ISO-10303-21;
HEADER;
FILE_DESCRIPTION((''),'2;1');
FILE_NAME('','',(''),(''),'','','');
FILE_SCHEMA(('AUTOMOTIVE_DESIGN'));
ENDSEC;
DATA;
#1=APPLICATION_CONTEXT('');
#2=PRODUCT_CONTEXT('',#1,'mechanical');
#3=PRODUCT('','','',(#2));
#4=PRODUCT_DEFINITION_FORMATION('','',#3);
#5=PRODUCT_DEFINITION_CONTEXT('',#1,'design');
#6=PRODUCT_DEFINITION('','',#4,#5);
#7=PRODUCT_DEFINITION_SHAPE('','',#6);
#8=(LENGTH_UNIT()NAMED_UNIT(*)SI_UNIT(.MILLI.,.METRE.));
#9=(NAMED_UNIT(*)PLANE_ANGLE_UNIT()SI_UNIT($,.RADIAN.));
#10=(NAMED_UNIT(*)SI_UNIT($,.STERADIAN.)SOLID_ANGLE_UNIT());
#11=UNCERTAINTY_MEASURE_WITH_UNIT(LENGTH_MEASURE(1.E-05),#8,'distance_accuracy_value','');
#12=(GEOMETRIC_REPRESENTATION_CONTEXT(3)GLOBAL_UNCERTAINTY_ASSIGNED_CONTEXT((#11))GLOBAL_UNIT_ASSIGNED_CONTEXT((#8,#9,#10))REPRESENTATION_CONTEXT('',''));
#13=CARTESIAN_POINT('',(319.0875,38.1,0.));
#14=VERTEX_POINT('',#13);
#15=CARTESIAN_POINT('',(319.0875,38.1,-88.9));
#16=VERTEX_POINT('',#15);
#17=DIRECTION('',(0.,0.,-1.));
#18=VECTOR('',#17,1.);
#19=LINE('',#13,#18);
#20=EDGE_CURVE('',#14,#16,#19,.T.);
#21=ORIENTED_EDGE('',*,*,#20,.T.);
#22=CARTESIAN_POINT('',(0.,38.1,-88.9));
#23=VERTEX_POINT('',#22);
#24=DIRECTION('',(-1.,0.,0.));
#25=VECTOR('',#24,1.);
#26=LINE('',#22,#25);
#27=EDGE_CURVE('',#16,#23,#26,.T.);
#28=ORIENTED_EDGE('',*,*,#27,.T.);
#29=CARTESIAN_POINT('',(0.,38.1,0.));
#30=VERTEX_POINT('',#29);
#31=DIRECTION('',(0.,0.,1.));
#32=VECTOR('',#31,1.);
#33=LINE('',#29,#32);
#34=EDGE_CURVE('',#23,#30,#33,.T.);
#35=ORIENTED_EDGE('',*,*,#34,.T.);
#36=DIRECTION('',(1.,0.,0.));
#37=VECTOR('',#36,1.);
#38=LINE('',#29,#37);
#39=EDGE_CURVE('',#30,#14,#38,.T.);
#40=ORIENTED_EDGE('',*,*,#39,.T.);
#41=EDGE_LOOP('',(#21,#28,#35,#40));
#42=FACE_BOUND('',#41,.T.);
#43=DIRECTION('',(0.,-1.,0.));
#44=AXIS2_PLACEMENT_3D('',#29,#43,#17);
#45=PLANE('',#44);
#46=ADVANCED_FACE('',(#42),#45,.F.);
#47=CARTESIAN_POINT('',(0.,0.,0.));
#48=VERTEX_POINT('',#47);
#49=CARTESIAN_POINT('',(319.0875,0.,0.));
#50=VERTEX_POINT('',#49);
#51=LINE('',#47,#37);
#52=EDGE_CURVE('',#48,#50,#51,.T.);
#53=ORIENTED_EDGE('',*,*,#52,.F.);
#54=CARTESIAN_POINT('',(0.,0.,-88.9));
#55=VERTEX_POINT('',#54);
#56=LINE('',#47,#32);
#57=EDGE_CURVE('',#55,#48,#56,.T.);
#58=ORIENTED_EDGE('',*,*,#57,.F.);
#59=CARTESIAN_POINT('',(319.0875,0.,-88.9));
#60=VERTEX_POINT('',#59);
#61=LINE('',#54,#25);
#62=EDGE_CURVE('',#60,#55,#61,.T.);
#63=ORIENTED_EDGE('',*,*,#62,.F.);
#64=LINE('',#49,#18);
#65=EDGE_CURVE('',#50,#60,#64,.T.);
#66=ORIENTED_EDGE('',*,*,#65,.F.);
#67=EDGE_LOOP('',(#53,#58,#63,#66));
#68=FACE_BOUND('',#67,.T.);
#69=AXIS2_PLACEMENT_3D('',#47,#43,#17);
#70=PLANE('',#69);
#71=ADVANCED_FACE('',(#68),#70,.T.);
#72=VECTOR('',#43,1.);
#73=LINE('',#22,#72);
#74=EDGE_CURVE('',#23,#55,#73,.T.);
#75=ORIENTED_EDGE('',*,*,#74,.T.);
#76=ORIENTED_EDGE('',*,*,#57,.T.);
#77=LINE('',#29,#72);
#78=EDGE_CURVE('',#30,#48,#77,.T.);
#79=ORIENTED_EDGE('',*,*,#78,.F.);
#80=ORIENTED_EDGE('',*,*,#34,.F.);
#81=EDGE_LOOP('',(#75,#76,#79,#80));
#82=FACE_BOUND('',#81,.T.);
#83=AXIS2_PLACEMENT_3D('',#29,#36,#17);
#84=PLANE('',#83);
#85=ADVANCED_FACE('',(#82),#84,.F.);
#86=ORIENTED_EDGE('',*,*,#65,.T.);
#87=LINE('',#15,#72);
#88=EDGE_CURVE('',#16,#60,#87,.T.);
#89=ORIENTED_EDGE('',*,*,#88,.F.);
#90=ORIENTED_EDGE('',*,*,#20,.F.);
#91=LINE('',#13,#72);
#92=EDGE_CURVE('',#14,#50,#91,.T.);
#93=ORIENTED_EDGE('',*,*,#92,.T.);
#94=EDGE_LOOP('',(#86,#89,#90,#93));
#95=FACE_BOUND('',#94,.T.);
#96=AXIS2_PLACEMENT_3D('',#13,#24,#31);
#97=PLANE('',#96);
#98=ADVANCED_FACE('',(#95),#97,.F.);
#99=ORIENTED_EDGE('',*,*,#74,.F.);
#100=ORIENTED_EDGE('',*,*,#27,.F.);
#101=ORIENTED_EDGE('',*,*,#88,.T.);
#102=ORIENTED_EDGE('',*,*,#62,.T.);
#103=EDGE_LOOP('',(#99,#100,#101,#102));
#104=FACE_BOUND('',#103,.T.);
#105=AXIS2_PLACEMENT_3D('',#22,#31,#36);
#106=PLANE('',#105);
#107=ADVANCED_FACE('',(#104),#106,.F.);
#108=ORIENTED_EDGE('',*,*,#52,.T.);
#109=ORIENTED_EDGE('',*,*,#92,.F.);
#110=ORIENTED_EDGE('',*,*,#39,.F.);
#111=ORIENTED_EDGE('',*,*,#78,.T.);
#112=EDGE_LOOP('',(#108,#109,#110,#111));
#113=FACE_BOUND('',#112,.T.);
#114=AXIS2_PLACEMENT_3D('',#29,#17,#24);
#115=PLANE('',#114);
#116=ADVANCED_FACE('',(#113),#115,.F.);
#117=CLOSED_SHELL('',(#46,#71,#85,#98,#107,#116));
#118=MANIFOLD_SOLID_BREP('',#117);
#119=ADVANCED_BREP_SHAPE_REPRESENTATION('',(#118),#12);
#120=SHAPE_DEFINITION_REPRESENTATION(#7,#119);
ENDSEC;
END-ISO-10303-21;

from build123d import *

# Parameters (mm, degrees)
SKETCH1_W           = 319.0875
SKETCH1_H           = 88.9
BOSS_EXTRUDE1_DEPTH = 38.1


with BuildPart() as part:
    # Sketch1 → Boss-Extrude1 (new body)
    with BuildSketch(Plane(origin=(0, 0, 0), x_dir=(1, 0, 0), z_dir=(0, 1, 0))):
        with Locations((159.54375, 44.45)):
            Rectangle(SKETCH1_W, SKETCH1_H)
    extrude(amount=BOSS_EXTRUDE1_DEPTH)


solid = part.part
